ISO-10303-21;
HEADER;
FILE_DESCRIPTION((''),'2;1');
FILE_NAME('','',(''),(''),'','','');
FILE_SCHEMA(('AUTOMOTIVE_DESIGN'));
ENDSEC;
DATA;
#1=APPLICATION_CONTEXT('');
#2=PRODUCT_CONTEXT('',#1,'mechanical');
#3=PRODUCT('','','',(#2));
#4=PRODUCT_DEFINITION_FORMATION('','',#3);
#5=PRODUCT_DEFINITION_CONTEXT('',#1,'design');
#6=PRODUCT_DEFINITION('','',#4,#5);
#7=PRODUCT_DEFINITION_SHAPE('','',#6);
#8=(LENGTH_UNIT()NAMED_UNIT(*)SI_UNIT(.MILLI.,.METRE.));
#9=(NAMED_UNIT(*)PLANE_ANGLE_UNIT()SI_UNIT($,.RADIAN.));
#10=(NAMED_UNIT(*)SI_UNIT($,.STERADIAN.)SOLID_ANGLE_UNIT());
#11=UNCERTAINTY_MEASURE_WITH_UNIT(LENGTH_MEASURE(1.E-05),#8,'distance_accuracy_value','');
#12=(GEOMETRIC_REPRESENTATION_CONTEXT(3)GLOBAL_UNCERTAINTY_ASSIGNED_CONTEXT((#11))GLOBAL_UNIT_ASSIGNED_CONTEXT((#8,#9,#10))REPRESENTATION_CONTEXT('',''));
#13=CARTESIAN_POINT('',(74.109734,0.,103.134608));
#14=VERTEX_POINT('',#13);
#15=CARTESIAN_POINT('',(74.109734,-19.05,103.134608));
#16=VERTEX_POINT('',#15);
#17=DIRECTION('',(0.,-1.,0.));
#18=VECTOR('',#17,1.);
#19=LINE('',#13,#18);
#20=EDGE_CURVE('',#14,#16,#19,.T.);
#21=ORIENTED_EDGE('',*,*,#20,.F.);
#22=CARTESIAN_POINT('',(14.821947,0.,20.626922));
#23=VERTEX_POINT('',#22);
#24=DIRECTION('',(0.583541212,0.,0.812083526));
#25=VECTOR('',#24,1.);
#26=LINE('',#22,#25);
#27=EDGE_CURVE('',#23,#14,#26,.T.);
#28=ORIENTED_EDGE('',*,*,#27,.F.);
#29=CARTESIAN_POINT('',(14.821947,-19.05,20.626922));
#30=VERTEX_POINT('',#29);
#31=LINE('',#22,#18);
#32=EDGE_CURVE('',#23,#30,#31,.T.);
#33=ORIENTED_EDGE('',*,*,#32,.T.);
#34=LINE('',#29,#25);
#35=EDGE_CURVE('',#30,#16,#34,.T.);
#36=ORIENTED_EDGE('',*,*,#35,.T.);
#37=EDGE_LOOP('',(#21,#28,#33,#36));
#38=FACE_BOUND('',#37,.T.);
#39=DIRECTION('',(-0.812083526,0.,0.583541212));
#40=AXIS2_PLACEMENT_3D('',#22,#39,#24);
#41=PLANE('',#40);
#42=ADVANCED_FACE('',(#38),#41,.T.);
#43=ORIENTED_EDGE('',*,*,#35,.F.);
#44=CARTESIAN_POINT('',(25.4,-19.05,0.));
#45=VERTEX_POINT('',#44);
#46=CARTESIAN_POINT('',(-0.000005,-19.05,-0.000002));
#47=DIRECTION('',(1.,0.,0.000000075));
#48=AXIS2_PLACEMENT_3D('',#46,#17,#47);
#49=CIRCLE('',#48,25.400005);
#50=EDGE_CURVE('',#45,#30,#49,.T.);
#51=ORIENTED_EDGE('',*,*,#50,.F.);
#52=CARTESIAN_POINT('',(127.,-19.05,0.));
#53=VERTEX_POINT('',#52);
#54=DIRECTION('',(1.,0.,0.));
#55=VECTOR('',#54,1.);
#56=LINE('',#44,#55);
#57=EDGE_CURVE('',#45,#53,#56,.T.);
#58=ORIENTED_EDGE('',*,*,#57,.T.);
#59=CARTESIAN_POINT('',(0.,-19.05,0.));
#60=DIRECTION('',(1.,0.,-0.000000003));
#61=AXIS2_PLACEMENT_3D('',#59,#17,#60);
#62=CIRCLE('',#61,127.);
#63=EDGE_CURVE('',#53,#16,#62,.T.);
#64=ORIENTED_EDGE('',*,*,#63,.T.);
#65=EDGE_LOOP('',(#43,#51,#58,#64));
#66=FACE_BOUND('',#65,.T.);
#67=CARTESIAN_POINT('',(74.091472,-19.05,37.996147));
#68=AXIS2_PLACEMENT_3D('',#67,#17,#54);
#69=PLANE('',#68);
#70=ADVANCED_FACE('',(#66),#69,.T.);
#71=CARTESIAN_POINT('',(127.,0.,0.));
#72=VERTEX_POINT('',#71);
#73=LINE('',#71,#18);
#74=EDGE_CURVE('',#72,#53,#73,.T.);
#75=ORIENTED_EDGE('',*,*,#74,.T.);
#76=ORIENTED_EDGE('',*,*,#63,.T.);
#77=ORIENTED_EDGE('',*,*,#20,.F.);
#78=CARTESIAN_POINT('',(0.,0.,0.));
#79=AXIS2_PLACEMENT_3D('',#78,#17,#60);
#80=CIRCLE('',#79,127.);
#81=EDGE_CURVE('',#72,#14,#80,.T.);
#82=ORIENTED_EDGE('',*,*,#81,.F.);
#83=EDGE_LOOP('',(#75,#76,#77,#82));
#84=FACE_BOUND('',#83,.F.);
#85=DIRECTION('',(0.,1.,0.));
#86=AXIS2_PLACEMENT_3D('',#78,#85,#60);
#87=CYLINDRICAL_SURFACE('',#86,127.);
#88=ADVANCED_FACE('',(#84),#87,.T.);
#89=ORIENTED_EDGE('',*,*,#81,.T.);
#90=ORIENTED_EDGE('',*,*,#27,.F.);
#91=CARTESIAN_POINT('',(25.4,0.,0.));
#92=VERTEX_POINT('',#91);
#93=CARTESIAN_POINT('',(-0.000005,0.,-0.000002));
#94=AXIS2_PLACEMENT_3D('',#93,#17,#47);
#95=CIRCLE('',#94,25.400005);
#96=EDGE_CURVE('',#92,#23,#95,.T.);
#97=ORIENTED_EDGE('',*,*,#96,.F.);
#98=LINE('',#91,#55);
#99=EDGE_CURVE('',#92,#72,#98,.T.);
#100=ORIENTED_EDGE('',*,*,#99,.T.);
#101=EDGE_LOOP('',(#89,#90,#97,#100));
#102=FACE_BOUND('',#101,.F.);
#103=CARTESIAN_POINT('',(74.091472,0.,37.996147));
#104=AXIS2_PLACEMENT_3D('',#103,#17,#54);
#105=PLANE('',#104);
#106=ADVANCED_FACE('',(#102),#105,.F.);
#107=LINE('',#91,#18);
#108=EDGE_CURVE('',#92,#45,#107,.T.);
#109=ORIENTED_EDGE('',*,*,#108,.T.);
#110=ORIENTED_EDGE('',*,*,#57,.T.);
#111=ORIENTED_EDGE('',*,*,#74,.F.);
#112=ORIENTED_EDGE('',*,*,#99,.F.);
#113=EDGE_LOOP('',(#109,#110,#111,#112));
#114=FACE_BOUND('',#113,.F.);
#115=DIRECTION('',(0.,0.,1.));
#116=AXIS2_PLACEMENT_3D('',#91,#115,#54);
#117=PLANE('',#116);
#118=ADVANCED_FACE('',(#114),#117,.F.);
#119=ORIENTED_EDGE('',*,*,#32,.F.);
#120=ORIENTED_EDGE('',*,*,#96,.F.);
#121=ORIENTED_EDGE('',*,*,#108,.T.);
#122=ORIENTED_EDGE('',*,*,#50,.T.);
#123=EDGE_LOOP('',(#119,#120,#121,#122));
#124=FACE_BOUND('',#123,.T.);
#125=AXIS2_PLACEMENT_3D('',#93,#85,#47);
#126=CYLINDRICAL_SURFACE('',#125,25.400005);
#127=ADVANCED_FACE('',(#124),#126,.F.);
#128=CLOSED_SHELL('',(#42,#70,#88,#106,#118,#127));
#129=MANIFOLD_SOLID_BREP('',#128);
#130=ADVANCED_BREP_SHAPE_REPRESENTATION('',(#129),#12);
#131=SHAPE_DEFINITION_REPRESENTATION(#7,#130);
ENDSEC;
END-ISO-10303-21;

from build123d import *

# Parameters (mm, degrees)
PAD_DEPTH = 19.05


with BuildPart() as part:
    # Sketch → Pad (new body)
    with BuildSketch(Plane.XZ):
        with BuildLine():
            ThreePointArc((127, 0), (113.006496, 57.952842), (74.109734, 103.134608))
            Line((14.821947, 20.626922), (74.109734, 103.134608))
            ThreePointArc((25.4, 0), (22.601299, 11.590568), (14.821947, 20.626922))
            Line((25.4, 0), (127, 0))
        make_face()
    extrude(amount=PAD_DEPTH)


solid = part.part
